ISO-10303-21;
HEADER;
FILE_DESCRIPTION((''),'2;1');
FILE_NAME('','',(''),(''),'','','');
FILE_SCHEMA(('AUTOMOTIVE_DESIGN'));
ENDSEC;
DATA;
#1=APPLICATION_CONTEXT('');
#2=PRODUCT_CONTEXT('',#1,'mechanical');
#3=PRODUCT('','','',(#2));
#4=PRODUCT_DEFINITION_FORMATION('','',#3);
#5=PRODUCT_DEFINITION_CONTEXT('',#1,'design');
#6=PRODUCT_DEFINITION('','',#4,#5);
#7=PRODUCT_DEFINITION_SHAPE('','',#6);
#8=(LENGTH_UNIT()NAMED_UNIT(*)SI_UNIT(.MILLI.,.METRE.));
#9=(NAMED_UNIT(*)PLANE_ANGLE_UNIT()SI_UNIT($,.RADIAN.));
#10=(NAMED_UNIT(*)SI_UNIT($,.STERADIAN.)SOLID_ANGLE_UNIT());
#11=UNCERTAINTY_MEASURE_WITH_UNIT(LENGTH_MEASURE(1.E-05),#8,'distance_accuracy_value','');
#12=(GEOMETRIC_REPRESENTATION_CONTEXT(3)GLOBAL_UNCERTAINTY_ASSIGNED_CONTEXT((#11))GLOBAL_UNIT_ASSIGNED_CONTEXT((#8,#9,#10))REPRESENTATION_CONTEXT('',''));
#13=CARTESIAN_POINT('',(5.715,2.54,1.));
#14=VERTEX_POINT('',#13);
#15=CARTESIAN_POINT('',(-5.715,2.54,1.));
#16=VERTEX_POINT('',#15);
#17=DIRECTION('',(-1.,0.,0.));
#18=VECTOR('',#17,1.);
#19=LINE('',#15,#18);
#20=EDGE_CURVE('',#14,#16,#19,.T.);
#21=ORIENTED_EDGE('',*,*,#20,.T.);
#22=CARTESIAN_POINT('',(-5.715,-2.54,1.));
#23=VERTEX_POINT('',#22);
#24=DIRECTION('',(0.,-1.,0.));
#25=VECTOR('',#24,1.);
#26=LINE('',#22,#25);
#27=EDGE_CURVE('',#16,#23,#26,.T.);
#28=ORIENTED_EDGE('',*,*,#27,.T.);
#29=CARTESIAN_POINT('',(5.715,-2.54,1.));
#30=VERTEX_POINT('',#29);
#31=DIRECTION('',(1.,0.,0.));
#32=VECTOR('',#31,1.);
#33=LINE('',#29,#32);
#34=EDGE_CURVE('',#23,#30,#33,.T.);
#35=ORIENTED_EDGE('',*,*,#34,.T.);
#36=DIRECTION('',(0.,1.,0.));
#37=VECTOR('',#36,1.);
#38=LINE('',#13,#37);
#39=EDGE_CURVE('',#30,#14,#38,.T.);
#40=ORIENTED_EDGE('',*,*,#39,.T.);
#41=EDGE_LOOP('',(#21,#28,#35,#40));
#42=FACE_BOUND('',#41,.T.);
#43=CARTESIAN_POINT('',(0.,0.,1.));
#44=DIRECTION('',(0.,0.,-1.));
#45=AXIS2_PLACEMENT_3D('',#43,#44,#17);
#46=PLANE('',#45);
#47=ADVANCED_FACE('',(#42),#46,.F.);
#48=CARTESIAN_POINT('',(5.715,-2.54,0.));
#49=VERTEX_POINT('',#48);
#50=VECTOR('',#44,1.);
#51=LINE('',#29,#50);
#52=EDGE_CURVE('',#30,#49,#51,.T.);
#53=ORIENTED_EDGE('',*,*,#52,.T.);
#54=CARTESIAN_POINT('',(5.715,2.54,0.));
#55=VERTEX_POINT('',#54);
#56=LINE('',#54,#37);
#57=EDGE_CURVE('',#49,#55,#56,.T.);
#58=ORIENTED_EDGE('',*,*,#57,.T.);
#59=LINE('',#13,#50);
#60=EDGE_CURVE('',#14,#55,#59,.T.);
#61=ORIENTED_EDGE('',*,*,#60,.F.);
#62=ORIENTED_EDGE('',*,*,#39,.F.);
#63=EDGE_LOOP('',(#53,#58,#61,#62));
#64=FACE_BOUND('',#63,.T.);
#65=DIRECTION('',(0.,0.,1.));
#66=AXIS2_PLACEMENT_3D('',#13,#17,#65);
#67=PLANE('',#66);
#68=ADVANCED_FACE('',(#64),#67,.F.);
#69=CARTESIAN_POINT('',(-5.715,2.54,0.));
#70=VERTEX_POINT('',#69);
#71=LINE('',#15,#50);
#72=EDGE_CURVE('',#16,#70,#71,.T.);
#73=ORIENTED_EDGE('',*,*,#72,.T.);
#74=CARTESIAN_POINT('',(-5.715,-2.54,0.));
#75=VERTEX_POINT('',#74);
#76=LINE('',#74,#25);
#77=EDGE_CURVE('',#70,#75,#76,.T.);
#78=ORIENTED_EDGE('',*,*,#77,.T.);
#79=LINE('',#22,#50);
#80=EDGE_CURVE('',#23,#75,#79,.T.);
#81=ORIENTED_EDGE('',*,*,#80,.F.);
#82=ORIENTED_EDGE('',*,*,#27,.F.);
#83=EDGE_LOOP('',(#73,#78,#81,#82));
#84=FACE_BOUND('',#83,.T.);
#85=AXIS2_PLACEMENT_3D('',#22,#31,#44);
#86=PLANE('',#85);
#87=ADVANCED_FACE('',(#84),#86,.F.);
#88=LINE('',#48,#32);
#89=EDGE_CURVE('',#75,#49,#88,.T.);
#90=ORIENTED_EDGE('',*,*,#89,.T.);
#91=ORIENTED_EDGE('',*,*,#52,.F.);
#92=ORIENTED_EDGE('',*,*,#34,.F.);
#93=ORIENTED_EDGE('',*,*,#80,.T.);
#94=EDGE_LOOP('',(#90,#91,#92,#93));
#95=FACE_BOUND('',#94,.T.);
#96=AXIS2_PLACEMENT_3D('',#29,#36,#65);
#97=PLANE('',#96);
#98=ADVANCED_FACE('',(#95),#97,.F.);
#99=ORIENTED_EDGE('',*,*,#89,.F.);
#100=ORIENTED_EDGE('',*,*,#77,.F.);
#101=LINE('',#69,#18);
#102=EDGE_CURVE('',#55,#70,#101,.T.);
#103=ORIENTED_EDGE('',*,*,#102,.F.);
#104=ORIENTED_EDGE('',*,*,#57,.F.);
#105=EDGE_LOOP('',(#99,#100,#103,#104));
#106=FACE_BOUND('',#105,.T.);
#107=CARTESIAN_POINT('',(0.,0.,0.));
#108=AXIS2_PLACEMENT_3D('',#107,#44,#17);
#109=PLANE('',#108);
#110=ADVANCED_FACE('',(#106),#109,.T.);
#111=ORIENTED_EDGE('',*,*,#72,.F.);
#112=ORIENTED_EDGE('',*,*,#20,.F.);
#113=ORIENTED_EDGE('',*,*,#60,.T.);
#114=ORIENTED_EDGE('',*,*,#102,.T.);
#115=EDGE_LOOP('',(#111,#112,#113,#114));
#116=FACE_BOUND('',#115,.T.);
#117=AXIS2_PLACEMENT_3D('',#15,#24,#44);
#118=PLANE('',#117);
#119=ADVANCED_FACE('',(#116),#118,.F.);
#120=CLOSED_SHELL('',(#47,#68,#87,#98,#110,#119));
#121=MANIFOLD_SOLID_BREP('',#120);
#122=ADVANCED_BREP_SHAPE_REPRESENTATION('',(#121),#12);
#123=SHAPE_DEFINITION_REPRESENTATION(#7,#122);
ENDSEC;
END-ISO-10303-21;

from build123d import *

# Parameters (mm, degrees)
SKIZZE1_W               = 11.43
SKIZZE1_H               = 5.08
COMPONENT_OUTLINE_DEPTH = 1


with BuildPart() as part:
    # Skizze1 → Component_Outline (new body)
    with BuildSketch(Plane.XY):
        Rectangle(SKIZZE1_W, SKIZZE1_H)
    extrude(amount=COMPONENT_OUTLINE_DEPTH)


solid = part.part
